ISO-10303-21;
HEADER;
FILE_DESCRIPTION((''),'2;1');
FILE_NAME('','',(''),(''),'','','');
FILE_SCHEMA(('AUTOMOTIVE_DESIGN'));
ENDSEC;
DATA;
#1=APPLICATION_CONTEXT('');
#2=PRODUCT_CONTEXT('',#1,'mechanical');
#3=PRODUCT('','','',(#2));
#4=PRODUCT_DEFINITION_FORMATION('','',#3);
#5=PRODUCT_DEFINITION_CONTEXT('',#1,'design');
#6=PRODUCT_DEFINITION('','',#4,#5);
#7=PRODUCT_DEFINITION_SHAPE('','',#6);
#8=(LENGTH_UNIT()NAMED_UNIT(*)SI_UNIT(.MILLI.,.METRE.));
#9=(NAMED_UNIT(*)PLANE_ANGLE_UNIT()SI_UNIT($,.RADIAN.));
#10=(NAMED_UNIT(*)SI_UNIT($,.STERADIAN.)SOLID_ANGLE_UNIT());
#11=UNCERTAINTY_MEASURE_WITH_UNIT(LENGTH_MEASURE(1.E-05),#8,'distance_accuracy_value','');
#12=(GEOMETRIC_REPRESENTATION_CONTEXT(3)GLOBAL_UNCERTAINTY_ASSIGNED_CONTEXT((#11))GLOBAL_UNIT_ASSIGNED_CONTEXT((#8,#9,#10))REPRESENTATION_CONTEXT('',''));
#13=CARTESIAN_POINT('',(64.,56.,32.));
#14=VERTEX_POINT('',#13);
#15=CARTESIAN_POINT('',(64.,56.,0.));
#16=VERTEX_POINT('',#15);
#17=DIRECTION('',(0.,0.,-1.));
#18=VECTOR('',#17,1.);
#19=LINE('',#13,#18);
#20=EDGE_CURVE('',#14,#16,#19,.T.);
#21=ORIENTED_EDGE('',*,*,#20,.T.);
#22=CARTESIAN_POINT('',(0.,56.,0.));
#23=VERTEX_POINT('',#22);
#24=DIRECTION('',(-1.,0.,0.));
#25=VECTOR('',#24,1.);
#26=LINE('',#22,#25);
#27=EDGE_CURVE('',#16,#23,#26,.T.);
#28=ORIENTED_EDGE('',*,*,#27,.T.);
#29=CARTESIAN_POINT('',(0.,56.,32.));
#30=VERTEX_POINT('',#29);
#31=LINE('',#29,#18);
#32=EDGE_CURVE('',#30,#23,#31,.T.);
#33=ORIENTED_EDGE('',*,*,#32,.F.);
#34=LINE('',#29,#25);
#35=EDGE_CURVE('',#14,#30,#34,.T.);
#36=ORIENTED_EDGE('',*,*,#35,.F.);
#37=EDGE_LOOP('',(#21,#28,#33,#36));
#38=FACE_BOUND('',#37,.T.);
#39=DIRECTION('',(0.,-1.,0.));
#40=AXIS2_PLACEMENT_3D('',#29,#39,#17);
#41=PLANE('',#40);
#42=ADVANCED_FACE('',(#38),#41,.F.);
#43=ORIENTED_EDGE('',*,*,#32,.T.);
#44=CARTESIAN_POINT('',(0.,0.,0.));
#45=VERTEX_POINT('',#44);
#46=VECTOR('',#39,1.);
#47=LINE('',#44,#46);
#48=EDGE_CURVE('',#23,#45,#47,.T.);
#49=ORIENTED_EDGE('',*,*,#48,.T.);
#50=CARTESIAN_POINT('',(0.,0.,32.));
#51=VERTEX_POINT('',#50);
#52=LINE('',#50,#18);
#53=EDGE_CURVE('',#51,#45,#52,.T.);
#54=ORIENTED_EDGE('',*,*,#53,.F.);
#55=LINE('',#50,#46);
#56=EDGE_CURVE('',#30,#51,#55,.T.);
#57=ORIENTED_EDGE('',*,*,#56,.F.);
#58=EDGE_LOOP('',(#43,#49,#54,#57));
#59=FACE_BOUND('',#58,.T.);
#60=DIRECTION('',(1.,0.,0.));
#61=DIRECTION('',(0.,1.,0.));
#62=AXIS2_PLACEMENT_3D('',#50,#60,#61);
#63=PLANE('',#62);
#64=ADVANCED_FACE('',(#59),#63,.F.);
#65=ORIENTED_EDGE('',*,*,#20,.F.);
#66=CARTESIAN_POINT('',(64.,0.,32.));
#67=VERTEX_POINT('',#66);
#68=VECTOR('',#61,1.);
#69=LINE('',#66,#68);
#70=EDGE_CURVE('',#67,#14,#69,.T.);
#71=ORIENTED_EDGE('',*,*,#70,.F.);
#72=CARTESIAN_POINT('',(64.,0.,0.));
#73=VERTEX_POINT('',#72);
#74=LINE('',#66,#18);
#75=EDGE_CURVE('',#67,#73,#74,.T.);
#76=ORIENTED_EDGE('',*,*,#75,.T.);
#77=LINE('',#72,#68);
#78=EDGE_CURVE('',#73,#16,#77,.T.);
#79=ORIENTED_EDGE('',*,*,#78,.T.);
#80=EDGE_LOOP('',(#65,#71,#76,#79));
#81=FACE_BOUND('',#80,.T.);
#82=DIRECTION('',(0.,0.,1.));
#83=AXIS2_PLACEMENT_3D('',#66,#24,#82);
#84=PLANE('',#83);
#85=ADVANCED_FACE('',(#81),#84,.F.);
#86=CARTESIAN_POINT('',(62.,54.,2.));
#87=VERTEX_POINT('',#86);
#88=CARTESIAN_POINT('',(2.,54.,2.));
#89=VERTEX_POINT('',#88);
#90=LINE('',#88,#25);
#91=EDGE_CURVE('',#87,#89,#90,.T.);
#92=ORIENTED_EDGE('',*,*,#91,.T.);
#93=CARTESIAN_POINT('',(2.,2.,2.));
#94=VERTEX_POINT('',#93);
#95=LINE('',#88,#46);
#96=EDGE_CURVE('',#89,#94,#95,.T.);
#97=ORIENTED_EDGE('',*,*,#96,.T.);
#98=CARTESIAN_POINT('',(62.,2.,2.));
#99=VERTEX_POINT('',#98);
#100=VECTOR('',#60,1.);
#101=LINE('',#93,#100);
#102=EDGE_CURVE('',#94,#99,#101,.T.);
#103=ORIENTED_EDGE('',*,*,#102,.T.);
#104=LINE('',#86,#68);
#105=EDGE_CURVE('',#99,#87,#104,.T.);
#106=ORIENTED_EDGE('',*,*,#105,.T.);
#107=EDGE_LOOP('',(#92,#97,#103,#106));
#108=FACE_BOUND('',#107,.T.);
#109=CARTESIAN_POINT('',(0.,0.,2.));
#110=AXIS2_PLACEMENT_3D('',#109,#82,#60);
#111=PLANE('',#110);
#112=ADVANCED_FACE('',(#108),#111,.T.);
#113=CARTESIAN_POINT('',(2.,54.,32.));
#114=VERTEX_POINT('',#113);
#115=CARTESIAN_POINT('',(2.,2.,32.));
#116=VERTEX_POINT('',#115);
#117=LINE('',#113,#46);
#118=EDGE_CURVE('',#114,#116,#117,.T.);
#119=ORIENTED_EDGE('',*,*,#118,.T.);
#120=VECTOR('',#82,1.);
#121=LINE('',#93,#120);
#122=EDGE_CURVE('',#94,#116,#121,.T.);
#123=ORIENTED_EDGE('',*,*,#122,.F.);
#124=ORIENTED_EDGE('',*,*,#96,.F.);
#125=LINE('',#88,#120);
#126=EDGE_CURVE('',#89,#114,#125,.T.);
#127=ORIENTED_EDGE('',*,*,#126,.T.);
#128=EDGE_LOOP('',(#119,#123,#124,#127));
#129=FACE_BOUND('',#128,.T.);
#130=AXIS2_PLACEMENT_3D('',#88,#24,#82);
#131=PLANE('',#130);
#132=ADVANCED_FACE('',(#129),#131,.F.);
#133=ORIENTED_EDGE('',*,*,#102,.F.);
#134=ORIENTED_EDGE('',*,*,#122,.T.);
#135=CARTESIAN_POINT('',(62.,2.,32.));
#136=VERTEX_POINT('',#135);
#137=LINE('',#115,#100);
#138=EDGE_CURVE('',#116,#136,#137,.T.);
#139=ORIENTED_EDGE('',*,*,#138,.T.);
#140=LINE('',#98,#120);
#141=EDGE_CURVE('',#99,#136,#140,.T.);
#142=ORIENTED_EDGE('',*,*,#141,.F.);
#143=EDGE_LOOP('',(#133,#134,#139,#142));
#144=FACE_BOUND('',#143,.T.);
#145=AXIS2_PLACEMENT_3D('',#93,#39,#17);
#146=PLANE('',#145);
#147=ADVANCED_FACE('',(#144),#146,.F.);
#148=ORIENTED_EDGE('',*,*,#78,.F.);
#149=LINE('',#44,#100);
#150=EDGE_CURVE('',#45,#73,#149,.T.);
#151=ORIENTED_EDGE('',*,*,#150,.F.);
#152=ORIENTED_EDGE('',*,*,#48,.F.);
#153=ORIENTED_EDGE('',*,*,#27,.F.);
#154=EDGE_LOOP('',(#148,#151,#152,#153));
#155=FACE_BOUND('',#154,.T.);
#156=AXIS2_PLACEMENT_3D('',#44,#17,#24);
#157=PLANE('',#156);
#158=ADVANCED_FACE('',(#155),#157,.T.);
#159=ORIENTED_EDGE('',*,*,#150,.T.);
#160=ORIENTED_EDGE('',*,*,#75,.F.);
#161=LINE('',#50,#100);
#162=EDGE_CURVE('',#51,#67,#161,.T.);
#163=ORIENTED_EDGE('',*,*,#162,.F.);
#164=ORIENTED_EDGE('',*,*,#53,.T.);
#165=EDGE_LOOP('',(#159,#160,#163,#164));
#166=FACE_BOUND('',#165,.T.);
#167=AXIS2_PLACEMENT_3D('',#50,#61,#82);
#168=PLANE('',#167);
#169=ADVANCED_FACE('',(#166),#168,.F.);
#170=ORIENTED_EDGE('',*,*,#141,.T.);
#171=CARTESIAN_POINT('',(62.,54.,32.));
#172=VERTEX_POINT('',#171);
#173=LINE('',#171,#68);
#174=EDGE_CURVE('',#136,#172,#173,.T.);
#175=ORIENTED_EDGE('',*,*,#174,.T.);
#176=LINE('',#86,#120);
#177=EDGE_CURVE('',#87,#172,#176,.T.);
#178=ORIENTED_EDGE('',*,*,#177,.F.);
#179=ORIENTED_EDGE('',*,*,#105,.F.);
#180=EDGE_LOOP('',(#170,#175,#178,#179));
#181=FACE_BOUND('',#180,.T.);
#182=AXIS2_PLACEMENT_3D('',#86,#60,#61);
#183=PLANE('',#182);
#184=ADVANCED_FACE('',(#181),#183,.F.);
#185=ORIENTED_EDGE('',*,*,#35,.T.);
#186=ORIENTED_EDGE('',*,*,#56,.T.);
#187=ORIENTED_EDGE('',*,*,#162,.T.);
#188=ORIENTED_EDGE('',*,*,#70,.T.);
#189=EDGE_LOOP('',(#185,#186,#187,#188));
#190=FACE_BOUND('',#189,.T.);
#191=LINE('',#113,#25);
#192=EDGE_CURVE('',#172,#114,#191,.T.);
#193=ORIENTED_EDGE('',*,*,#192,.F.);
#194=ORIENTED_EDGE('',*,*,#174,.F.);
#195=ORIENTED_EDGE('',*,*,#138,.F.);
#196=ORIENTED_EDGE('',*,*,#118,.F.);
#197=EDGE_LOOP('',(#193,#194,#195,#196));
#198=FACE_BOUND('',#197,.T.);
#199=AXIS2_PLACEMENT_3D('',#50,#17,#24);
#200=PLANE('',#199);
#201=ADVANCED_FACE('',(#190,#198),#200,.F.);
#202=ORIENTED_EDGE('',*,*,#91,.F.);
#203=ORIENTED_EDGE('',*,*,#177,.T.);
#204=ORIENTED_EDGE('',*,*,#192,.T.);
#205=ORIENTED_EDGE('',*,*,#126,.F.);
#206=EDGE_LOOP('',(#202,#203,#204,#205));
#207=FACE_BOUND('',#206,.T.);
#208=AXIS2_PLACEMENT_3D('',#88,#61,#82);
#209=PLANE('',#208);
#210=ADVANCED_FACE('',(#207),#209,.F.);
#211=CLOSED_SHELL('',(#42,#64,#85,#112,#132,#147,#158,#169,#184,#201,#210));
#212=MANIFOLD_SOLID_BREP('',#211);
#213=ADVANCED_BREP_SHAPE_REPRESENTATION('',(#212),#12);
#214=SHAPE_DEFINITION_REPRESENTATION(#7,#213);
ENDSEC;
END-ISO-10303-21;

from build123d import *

# Parameters (mm, degrees)
SKETCH1_W           = 64
SKETCH1_H           = 56
BOSS_EXTRUDE1_DEPTH = 32
SKETCH3_W           = 60
SKETCH3_H           = 52
CUT_EXTRUDE1_DEPTH  = 30


with BuildPart() as part:
    # Sketch1 → Boss-Extrude1 (new body)
    with BuildSketch(Plane.XY):
        with Locations((32, 28)):
            Rectangle(SKETCH1_W, SKETCH1_H)
    extrude(amount=BOSS_EXTRUDE1_DEPTH)

    # Sketch3 → Cut-Extrude1 (cut)
    with BuildSketch(Plane.XY.offset(32)):
        with Locations((32, 28)):
            Rectangle(SKETCH3_W, SKETCH3_H)
    extrude(amount=-CUT_EXTRUDE1_DEPTH, mode=Mode.SUBTRACT)


solid = part.part
